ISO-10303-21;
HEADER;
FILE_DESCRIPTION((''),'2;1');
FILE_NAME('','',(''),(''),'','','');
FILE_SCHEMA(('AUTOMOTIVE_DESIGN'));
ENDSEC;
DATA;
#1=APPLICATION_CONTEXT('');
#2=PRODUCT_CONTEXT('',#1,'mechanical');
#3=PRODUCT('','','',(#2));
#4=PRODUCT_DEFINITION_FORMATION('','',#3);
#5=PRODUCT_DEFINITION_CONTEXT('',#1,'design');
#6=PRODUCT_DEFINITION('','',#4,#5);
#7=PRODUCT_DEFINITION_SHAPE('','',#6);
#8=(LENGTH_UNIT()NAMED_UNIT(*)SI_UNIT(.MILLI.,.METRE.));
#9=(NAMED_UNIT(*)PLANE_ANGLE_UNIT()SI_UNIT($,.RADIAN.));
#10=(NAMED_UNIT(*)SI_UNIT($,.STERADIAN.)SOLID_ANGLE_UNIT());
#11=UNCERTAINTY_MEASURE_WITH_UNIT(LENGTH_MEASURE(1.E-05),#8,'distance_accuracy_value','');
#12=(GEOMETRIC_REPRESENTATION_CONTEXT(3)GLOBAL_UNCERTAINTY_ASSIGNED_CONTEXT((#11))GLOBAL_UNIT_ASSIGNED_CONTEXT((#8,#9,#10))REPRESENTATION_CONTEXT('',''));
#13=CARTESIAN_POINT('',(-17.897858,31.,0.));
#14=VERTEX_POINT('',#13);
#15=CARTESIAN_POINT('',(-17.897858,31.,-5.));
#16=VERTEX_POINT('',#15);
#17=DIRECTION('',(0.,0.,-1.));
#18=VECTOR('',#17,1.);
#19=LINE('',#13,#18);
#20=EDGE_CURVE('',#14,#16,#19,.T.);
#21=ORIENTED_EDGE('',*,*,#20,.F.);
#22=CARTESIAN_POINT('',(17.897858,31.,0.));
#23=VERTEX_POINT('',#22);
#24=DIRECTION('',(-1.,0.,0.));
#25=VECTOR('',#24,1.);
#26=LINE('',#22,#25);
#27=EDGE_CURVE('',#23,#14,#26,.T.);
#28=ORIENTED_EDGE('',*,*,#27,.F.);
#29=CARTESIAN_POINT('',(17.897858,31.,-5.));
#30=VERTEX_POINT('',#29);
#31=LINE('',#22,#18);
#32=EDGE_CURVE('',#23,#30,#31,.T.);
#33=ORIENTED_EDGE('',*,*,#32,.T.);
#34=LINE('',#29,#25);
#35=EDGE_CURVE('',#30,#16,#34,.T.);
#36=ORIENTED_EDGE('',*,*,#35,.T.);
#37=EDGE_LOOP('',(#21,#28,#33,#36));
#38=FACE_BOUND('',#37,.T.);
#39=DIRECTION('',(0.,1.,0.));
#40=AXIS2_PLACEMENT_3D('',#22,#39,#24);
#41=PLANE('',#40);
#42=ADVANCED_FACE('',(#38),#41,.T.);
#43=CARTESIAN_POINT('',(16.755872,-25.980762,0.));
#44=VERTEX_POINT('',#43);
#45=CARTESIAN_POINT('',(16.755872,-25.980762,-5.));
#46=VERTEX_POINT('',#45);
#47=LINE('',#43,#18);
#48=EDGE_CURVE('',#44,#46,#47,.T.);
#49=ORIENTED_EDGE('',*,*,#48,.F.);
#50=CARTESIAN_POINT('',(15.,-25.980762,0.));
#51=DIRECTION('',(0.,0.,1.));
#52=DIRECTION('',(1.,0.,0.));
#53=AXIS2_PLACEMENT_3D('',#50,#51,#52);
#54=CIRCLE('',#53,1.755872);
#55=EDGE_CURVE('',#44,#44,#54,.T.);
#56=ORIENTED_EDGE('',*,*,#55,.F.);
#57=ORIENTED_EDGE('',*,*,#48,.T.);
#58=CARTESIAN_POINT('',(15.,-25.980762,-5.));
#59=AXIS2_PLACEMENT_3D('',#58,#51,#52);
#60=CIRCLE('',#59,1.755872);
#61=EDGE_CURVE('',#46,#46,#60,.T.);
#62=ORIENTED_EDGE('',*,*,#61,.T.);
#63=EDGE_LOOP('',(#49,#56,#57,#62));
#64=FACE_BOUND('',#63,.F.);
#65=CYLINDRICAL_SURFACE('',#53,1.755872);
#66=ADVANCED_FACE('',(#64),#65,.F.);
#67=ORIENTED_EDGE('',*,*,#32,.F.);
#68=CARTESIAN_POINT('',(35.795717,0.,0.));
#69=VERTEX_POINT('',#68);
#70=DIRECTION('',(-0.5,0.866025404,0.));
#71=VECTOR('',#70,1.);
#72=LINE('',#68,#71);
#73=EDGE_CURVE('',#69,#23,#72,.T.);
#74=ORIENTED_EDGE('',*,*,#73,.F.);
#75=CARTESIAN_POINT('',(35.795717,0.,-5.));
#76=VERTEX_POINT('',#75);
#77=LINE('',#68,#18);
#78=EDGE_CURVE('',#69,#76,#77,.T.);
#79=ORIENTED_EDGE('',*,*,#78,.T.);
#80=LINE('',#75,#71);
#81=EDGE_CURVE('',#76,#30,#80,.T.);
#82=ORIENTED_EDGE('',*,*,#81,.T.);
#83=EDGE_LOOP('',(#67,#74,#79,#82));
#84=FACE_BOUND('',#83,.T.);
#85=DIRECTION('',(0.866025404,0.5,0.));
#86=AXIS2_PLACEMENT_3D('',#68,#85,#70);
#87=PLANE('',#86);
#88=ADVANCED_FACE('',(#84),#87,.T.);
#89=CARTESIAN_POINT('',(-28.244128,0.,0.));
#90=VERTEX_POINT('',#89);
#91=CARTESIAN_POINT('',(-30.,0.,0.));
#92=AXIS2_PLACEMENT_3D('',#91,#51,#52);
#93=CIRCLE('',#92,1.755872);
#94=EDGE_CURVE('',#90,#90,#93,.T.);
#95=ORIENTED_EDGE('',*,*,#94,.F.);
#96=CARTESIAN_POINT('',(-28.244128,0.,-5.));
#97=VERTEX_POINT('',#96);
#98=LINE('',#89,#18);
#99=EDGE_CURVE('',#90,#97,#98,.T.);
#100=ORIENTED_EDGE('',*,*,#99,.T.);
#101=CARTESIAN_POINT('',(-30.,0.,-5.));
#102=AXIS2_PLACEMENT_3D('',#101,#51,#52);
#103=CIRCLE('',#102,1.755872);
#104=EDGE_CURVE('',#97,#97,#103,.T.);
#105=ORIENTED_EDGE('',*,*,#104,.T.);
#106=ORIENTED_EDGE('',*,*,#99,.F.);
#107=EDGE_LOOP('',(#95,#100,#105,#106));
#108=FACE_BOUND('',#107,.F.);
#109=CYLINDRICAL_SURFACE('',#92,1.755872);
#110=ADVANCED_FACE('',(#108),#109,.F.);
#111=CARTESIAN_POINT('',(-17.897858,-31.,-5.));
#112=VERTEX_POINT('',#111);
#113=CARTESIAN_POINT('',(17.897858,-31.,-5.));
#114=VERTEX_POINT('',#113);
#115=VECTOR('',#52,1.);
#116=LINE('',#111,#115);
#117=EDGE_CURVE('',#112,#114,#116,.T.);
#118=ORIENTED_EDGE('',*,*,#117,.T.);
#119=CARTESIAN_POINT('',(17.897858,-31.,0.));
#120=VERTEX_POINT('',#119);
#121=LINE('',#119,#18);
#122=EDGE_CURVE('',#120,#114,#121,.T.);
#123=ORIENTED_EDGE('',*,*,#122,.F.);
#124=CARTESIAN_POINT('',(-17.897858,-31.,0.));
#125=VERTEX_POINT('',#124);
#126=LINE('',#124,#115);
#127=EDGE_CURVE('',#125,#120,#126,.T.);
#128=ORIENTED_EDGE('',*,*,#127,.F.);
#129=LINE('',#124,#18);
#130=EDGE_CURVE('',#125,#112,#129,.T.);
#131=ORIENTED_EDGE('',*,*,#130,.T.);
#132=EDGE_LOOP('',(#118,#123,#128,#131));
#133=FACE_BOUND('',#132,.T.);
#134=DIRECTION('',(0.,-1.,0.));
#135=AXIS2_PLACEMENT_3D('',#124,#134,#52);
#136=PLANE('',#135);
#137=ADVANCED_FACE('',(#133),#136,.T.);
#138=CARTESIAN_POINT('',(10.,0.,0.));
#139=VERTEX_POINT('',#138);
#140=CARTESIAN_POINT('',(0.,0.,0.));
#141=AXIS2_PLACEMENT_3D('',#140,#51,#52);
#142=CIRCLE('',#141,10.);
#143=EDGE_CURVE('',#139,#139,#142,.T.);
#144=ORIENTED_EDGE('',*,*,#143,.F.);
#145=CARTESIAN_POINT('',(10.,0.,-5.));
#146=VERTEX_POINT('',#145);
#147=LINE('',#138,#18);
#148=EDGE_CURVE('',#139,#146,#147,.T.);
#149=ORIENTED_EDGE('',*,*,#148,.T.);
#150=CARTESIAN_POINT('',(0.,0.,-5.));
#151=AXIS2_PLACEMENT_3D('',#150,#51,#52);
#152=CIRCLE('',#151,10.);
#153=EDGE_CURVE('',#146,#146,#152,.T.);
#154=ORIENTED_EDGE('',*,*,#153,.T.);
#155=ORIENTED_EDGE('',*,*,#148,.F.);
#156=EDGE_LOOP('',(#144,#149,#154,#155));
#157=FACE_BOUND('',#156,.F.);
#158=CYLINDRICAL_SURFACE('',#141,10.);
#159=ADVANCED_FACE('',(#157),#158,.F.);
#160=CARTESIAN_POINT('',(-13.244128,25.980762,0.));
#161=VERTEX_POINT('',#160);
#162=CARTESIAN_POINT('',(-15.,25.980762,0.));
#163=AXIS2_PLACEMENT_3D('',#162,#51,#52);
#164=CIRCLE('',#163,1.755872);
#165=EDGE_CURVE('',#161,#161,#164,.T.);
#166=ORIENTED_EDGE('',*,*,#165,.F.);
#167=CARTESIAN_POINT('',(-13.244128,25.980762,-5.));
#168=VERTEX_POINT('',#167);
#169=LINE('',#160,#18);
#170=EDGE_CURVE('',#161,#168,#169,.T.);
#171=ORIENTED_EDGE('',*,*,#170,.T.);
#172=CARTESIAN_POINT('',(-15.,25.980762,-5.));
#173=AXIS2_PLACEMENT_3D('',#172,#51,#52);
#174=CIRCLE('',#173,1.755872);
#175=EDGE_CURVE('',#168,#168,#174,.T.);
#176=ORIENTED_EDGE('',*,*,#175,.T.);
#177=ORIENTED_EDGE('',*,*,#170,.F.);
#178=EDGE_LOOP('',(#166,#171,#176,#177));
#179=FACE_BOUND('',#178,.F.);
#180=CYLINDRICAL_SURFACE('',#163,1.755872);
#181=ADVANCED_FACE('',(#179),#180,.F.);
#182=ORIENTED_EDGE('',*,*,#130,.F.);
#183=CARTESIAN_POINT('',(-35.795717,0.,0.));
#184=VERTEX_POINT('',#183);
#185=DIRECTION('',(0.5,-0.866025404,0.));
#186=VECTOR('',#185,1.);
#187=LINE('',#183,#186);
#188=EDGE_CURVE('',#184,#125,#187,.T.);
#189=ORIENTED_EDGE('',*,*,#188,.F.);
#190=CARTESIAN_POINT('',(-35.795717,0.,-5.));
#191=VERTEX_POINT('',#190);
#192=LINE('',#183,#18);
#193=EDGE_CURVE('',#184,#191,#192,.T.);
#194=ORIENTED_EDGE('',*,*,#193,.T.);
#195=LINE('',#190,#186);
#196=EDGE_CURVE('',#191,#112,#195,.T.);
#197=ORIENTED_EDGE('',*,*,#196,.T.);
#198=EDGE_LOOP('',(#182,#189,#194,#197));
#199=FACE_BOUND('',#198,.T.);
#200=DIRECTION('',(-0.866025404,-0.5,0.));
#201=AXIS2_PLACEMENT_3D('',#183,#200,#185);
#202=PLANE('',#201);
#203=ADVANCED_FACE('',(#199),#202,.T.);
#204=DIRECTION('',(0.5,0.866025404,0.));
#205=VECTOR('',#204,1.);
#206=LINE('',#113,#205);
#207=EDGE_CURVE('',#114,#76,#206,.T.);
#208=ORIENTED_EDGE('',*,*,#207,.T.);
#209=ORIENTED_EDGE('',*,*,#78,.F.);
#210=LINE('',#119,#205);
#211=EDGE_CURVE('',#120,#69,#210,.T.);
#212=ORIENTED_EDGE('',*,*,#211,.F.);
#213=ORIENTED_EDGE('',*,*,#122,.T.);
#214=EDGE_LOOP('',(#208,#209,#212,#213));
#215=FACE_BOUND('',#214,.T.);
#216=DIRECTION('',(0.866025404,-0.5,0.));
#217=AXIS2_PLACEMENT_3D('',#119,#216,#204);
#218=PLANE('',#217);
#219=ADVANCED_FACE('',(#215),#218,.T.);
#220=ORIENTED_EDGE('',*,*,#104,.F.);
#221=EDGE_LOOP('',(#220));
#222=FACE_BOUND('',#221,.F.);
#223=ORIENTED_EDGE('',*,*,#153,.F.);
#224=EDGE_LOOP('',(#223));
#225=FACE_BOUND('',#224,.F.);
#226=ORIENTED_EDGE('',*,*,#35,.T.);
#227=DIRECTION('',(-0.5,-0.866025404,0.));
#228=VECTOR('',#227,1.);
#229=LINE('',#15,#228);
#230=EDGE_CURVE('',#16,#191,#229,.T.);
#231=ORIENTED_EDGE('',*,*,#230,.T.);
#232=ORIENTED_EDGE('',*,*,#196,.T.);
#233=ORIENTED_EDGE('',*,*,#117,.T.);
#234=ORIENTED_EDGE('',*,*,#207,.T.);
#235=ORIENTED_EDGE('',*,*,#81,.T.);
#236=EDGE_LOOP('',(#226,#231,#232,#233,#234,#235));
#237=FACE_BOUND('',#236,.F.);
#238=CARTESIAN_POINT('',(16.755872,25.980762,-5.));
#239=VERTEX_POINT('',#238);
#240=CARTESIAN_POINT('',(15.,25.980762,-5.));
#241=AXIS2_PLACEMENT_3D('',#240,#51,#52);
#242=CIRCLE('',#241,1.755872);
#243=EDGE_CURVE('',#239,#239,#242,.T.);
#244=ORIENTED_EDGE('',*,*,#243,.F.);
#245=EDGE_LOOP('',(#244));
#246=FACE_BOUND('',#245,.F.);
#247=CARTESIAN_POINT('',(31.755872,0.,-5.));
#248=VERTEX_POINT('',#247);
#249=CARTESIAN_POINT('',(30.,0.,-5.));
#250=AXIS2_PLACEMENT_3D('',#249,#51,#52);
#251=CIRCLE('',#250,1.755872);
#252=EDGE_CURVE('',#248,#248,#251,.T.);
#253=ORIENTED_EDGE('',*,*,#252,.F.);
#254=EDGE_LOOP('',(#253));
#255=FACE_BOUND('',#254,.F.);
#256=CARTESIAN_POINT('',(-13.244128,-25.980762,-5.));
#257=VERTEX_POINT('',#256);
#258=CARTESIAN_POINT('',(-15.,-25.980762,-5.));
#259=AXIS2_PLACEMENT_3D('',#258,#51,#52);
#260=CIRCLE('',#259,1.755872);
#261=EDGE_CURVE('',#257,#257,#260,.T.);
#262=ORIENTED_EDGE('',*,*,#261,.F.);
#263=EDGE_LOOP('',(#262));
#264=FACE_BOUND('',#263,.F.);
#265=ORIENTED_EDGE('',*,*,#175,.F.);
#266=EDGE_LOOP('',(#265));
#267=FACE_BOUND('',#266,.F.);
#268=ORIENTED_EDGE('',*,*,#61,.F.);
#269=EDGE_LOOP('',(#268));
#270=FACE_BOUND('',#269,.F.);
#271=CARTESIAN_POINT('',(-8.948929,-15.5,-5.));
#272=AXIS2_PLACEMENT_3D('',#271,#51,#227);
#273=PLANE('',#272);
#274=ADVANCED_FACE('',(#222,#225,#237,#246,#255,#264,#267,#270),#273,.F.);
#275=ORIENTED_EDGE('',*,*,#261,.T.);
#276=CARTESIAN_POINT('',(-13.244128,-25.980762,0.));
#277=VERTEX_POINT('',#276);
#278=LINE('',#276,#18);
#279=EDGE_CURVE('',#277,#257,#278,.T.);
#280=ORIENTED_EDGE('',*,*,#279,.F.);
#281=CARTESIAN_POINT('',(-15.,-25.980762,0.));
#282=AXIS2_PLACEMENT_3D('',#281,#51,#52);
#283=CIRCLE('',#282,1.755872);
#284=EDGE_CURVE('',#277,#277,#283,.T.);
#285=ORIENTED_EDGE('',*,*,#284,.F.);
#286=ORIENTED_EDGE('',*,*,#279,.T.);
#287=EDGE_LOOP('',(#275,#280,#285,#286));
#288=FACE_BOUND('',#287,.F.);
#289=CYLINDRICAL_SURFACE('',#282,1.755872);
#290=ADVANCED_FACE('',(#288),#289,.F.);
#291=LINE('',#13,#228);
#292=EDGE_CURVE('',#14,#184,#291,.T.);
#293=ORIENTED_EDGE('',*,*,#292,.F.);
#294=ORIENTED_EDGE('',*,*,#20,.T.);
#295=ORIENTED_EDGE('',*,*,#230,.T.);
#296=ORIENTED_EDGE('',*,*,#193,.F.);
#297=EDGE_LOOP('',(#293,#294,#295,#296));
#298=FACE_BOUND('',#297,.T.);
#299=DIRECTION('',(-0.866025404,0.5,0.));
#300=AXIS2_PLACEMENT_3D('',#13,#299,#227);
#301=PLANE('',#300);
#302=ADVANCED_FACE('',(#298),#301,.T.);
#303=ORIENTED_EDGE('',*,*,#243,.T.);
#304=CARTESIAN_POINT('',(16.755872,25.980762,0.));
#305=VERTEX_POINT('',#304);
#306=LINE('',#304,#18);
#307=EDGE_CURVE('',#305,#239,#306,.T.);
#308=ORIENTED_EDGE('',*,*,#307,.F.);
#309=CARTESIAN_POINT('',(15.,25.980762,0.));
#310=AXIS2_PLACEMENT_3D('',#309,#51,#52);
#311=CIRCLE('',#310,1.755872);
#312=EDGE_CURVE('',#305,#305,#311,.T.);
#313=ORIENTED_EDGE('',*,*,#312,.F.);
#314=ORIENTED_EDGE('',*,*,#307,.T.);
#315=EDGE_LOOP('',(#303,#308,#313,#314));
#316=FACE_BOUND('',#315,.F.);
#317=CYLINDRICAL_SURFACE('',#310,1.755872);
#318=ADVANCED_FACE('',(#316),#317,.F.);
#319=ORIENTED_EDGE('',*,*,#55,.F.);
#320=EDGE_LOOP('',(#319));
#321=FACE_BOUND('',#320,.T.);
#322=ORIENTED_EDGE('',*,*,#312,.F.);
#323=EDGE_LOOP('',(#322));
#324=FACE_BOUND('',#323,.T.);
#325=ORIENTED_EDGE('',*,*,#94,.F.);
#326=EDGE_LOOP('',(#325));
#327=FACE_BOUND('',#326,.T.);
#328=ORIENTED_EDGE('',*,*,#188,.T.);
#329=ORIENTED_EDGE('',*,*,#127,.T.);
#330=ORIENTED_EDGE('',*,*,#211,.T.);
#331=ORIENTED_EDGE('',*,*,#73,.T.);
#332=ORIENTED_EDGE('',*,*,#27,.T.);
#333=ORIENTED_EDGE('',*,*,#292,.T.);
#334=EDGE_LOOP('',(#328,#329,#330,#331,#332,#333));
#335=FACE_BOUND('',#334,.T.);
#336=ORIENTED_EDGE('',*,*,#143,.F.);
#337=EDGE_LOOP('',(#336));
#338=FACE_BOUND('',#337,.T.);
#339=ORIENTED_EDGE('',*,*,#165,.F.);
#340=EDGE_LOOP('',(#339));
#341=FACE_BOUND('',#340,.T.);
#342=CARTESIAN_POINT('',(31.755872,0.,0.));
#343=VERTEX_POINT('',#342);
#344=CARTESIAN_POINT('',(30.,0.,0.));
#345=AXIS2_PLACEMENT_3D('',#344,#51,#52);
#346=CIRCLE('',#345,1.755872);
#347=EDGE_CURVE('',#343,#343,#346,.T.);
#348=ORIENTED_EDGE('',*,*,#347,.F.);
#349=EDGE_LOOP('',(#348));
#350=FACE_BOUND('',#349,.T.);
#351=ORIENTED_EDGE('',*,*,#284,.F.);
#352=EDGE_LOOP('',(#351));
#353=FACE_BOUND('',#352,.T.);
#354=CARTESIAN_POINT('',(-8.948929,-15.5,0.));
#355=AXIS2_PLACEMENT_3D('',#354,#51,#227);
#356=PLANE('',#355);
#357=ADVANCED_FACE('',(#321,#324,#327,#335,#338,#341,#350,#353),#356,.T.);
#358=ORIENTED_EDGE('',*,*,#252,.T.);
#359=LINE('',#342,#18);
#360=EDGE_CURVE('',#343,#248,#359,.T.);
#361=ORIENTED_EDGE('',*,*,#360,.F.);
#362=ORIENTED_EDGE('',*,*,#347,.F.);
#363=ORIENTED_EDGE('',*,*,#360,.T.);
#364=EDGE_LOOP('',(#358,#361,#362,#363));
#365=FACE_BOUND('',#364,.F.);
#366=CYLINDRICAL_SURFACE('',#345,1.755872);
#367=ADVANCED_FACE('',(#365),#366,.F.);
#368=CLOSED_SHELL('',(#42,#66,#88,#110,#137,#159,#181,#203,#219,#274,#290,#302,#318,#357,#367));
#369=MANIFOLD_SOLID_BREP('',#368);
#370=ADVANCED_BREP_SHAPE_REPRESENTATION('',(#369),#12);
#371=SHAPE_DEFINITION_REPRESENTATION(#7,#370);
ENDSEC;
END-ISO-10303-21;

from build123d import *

# Parameters (mm, degrees)
F1_DEPTH = 5
F2_COUNT = 3
F3_R     = 10
F4_DEPTH = 5
F5_R     = 1.755872499
F6_DEPTH = 5


with BuildPart() as f1:
    # F0 (on Top) → F1 (new body)
    with BuildSketch(Plane.XY):
        Polygon((35.7957166898, 0), (17.8978583449, 31), (0, 0), (17.8978583449, -31), align=None)
    extrude(amount=-F1_DEPTH)

    # F2: F1 ×3 about axis
    f2_axis = Axis((0, 0, -2.5), (0, 0, 1))


with BuildPart() as f1_1:
    add(f1.part)
    for i in range(1, F2_COUNT):
        add(f1.part.rotate(f2_axis, i * 360 / F2_COUNT))

    # F3 (on face) → F4 (cut, through all)
    with BuildSketch(Plane.XY):
        Circle(F3_R)
    extrude(amount=-F4_DEPTH, mode=Mode.SUBTRACT)

    # F5 (on face) → F6 (cut, through all)
    with BuildSketch(Plane.XY):
        with Locations((15, -25.9807621135)):
            Circle(F5_R)
        with Locations((-15, -25.9807621135)):
            Circle(F5_R)
        with Locations((30, 0)):
            Circle(F5_R)
        with Locations((15, 25.9807621135)):
            Circle(F5_R)
        with Locations((-15, 25.9807621135)):
            Circle(F5_R)
        with Locations((-30, 0)):
            Circle(F5_R)
    extrude(amount=-F6_DEPTH, mode=Mode.SUBTRACT)


solid = f1_1.part
